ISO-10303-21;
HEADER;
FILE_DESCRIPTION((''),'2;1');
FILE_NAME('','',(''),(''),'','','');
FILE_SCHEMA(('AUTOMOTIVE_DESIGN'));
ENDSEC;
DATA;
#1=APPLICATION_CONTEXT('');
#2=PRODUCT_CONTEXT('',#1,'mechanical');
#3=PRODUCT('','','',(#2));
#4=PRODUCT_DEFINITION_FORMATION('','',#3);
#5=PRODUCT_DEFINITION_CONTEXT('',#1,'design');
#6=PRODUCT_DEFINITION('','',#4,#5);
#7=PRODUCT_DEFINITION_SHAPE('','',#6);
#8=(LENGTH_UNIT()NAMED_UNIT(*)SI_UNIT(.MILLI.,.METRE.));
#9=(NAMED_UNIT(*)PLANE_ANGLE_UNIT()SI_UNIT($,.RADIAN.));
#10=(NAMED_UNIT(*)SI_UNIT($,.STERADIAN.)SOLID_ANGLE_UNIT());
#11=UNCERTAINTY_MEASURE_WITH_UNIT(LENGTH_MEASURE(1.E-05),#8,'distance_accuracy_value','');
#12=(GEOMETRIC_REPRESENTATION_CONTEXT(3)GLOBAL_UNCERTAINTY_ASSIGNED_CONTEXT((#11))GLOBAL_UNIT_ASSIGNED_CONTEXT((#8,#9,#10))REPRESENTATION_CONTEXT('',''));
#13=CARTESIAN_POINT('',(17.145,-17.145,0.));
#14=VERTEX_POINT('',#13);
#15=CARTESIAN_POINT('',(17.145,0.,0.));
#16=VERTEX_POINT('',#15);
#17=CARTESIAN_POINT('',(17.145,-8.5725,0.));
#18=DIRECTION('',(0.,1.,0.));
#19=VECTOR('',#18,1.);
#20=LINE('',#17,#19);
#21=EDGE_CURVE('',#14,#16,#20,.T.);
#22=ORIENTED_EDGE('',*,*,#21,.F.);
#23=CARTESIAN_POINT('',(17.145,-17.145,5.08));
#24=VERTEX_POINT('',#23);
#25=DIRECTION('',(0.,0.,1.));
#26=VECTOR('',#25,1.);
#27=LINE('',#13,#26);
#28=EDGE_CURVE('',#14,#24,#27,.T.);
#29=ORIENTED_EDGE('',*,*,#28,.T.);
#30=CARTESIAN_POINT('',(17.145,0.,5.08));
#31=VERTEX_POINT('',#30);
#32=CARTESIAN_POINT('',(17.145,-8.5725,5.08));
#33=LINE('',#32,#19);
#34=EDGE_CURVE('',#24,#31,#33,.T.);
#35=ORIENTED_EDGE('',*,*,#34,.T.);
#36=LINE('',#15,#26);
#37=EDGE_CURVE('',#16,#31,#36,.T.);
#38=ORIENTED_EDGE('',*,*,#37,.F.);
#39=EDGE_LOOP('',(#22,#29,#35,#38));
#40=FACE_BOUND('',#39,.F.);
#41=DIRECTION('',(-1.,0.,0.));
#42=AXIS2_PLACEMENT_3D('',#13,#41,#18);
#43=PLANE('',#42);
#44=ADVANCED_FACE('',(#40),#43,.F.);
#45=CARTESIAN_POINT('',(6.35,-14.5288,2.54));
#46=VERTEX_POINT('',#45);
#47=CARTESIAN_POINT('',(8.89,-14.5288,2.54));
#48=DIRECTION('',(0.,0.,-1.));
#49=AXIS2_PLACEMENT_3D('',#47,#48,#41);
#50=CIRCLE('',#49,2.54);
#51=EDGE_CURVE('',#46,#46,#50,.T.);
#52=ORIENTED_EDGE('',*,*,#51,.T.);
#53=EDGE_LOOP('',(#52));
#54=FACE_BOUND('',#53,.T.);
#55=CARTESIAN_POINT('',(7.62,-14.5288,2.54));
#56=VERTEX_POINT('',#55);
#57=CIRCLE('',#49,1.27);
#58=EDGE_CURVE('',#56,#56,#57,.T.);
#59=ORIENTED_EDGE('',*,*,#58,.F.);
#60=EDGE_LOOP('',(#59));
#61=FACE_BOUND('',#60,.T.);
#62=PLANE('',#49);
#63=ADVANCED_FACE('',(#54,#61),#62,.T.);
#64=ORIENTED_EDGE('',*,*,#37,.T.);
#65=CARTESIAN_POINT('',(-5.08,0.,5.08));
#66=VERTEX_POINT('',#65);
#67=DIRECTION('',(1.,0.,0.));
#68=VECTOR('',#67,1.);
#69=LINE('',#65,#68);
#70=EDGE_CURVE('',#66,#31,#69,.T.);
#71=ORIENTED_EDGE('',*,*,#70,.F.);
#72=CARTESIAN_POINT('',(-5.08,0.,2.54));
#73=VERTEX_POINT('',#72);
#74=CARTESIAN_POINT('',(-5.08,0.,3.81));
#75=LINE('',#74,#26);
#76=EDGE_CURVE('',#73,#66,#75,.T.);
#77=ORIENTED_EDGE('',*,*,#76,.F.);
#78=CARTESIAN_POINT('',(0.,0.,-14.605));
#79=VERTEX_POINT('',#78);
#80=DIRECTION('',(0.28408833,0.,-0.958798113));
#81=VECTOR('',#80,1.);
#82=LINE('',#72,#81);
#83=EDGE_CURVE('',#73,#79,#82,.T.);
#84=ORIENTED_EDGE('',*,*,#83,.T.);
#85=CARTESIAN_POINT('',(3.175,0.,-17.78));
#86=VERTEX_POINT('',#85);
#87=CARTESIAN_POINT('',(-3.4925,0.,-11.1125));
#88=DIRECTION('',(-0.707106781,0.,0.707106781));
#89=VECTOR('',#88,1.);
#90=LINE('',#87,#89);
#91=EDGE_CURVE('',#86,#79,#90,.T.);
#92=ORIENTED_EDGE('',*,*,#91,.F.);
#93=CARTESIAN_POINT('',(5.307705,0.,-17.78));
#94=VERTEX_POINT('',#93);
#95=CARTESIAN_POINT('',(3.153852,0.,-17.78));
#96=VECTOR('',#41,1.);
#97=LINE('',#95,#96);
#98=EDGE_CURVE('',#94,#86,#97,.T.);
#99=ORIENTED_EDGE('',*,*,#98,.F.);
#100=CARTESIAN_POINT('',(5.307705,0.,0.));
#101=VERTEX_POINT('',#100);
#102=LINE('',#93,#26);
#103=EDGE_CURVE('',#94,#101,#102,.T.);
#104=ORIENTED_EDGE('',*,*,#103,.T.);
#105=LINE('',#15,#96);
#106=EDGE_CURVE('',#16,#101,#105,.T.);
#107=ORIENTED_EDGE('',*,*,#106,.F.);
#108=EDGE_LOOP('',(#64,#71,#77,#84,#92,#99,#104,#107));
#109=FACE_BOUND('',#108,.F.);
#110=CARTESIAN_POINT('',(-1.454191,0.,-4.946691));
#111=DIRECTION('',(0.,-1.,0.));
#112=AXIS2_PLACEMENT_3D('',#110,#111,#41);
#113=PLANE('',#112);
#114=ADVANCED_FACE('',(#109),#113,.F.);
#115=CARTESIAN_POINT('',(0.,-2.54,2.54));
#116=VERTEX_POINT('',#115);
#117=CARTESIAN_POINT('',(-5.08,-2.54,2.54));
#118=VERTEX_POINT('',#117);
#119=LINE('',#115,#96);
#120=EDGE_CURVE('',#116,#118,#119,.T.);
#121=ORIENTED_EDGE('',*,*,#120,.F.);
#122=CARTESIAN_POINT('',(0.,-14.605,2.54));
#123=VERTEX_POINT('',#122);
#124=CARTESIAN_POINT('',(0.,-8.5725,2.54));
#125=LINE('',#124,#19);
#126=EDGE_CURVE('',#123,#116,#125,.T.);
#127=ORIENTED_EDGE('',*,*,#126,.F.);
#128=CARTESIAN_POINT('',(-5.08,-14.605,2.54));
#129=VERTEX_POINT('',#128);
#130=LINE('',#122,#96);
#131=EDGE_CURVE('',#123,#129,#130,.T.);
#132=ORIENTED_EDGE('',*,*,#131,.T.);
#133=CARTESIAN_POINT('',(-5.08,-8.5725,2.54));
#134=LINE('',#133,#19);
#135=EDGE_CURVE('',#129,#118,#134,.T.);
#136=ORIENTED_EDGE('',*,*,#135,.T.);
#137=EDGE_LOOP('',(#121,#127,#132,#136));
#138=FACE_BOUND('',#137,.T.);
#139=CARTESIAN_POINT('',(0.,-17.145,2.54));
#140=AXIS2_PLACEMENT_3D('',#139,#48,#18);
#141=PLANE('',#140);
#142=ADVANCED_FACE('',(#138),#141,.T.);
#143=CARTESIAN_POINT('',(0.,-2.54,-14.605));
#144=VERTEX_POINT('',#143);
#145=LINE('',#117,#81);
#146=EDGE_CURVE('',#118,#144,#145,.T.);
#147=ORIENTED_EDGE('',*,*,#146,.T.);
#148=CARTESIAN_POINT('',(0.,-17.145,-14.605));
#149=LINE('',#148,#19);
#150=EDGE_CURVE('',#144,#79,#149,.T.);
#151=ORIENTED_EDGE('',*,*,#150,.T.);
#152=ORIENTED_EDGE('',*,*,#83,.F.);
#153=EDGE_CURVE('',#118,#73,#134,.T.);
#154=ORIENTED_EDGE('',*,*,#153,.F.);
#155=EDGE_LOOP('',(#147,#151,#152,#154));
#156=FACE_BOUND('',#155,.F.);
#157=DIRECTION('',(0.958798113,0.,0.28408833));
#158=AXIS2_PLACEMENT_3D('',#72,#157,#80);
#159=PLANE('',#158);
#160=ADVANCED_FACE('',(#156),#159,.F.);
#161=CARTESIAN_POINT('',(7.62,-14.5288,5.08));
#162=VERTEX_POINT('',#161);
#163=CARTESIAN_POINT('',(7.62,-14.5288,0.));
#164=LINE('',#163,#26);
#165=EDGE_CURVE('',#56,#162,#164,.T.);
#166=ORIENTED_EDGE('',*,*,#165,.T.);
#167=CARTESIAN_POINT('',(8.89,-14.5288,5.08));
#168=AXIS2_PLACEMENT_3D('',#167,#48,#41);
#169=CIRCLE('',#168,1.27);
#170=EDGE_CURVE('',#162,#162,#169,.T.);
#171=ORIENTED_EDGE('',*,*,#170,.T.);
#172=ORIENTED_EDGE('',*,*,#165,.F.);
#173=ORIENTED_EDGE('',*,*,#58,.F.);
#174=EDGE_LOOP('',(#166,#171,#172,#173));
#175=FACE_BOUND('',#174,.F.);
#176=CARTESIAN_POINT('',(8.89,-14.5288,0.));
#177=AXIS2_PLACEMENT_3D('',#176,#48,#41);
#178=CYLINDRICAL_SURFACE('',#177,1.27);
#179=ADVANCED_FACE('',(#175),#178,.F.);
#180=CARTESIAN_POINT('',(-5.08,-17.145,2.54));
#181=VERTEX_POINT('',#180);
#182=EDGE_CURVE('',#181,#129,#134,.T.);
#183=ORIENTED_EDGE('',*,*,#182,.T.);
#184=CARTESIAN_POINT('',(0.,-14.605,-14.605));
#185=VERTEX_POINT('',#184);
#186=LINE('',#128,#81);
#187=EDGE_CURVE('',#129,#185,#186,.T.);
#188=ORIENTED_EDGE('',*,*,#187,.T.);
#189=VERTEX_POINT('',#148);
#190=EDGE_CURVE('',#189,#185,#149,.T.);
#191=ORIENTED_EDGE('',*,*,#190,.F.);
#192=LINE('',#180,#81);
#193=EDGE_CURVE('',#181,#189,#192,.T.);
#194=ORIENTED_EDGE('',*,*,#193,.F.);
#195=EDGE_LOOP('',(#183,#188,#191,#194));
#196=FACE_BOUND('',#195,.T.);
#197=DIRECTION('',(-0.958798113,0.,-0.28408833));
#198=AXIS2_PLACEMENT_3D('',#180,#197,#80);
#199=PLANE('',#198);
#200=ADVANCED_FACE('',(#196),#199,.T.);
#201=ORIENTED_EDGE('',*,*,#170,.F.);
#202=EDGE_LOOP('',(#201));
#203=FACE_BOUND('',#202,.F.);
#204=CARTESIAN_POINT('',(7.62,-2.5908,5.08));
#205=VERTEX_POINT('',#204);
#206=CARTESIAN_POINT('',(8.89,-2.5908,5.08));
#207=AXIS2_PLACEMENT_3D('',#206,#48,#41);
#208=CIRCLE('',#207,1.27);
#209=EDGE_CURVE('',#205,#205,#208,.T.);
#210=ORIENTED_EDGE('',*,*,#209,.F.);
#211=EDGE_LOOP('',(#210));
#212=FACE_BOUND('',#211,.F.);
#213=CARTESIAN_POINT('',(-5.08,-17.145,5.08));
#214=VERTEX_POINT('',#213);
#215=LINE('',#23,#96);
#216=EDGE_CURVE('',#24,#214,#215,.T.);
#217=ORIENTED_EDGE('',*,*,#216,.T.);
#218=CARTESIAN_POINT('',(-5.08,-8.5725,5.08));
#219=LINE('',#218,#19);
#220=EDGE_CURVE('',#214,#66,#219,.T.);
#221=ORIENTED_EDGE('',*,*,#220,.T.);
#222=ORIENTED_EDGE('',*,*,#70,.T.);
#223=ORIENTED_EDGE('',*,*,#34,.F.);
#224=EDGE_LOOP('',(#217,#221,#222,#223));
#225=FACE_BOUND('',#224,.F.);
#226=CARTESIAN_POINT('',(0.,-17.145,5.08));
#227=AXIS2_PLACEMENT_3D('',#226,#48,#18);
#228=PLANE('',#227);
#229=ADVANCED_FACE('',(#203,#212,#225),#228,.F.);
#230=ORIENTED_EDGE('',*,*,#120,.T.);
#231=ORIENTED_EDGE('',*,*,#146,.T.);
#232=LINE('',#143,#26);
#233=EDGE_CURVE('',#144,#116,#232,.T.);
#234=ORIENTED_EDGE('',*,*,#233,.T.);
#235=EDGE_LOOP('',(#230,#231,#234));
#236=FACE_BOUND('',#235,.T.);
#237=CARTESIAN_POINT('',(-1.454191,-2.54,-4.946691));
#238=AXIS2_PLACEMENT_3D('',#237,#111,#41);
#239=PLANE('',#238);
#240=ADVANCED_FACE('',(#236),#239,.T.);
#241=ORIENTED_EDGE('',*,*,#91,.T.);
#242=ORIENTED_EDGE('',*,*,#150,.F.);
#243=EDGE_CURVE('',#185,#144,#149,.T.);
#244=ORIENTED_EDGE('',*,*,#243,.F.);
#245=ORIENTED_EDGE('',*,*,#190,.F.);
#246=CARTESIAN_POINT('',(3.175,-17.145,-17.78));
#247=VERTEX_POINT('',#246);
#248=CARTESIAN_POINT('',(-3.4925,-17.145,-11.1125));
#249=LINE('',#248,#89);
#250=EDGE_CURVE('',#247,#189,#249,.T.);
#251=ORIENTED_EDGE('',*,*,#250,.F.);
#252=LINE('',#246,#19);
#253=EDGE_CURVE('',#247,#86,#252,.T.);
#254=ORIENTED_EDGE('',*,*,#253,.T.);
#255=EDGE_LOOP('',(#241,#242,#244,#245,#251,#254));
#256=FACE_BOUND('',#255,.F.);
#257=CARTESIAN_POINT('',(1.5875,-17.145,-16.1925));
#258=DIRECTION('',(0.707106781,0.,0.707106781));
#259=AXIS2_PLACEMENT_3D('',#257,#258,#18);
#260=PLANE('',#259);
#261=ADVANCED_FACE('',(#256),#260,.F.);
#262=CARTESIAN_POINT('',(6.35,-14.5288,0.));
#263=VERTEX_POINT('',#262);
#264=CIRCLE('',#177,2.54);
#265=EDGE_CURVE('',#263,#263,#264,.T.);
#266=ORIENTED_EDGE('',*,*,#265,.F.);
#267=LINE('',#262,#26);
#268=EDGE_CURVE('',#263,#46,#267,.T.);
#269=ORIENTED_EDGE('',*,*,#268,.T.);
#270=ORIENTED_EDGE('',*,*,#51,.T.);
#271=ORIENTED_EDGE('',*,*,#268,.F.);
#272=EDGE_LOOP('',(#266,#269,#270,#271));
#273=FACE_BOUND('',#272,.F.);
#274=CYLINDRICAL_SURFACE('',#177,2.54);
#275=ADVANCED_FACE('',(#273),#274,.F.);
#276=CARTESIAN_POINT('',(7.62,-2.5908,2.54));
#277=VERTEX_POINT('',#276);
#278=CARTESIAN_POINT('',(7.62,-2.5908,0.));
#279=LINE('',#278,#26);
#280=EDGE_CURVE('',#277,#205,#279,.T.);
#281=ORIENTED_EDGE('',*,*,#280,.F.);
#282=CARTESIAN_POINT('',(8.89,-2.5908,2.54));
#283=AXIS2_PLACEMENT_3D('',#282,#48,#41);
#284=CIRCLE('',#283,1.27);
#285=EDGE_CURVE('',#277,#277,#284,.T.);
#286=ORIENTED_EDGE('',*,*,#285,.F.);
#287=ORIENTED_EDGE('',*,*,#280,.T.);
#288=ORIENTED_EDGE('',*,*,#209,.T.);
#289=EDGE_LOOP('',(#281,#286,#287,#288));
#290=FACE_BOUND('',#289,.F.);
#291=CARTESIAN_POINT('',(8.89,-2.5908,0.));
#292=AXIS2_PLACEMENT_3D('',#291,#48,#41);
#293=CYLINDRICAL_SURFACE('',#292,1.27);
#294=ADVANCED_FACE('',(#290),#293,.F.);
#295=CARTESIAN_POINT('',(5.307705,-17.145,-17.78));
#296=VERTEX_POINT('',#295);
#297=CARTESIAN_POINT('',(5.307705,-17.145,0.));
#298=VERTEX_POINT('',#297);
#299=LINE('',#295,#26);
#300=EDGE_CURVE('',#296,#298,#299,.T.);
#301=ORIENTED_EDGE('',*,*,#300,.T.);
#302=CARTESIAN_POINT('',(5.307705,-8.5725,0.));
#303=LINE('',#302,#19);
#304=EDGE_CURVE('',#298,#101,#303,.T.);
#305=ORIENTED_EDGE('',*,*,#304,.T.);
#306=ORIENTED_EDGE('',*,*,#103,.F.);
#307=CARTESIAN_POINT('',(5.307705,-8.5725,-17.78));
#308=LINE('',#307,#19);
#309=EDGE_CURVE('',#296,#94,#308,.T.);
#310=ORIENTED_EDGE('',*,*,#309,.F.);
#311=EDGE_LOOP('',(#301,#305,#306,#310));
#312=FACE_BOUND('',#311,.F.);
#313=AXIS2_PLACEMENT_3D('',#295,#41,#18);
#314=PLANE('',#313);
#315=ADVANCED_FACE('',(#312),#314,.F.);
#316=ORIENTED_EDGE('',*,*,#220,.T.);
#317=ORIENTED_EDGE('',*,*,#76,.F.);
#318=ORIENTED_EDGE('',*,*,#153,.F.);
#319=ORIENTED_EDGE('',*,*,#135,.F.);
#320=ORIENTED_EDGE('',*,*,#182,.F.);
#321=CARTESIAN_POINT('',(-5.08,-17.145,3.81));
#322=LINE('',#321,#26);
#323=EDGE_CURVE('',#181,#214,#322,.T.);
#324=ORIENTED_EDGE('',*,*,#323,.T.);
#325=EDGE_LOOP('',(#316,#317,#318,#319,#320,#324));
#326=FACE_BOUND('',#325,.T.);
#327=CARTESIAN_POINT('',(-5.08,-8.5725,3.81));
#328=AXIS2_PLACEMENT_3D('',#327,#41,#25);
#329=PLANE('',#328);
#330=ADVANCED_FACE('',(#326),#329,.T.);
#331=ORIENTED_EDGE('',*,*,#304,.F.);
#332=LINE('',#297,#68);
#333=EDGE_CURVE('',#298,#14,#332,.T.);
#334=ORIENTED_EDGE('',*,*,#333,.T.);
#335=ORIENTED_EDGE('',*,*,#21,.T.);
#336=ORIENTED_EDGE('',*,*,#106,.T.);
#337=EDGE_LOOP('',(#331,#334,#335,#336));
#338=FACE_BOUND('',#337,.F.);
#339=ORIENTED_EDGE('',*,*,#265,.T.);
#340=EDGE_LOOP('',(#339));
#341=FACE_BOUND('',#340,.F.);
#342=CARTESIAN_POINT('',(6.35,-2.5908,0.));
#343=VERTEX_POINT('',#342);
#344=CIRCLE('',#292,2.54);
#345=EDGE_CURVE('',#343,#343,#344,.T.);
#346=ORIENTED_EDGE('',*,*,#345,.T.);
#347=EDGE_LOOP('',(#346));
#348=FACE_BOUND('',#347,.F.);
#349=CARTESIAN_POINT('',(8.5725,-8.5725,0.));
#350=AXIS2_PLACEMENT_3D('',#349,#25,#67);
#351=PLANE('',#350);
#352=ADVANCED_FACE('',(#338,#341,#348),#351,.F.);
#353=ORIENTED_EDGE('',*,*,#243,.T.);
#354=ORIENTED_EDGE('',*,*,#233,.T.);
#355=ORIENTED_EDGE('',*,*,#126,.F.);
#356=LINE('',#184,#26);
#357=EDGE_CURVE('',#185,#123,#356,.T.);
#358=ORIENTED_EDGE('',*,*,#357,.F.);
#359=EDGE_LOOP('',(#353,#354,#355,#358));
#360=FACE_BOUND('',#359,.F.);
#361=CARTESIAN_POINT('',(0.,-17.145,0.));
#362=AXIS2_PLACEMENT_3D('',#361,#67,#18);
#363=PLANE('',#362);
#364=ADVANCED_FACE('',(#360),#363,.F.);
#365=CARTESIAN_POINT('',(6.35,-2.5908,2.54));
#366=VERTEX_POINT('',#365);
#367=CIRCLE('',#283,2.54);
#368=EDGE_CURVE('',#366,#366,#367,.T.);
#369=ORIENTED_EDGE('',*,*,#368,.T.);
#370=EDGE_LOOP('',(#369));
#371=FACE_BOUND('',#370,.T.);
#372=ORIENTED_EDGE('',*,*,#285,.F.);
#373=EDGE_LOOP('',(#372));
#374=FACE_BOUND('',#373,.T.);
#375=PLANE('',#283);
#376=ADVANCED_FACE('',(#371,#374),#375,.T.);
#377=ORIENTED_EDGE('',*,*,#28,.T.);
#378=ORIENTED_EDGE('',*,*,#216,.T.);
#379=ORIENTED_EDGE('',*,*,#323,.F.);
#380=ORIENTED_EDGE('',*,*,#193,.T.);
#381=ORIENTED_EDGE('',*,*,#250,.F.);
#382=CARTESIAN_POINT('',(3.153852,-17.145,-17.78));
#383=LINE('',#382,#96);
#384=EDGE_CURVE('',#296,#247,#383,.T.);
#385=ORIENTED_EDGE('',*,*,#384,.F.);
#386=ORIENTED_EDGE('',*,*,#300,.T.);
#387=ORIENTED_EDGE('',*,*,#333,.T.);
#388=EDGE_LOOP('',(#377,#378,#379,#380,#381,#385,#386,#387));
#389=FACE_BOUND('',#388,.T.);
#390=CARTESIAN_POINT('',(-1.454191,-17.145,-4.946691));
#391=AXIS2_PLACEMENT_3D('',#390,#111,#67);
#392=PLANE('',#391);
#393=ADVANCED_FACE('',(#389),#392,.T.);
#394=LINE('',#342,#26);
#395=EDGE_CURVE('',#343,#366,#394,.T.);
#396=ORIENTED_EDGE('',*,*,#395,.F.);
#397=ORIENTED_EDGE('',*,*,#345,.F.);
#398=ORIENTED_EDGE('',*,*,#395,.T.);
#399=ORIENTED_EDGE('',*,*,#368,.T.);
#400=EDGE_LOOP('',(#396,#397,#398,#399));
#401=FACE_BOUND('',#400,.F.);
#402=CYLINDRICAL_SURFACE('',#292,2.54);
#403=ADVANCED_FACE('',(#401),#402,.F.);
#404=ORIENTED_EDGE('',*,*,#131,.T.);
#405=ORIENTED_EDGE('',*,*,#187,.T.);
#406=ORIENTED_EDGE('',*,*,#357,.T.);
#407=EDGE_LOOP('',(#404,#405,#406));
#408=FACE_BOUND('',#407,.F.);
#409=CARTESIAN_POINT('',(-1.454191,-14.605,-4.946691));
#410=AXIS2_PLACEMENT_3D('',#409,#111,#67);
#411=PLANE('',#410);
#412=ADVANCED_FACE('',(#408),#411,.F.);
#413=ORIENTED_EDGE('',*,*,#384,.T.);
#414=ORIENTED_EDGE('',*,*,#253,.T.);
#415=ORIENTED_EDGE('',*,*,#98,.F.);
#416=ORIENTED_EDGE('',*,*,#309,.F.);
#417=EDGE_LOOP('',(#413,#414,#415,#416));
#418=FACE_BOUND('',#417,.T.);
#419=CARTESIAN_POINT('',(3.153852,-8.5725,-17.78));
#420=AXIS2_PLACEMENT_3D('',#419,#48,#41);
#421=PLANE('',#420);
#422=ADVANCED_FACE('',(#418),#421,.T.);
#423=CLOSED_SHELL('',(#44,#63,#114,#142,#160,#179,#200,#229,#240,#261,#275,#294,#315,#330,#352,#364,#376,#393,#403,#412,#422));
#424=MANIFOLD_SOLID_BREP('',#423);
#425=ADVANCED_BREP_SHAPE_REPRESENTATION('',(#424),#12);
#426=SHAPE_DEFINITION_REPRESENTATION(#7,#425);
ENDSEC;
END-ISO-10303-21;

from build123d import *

# Parameters (mm, degrees)
SKETCH1_W           = 17.145
SKETCH1_H           = 17.145
BOSS_EXTRUDE1_DEPTH = 5.08
SKETCH2_R           = 1.27
CUT_EXTRUDE1_DEPTH  = 6.08
SKETCH3_R           = 2.54
CUT_EXTRUDE4_DEPTH  = 2.54
SKETCH4_W           = 6.307704678
SKETCH4_H           = 17.145
BOSS_EXTRUDE2_DEPTH = 17.78
SKETCH5_W           = 2.54
SKETCH5_H           = 17.145
BOSS_EXTRUDE3_DEPTH = 5.08
CHAMFER1_SIZE       = 3.175
BOSS_EXTRUDE4_DEPTH = 2.54
BOSS_EXTRUDE5_DEPTH = 2.54
SKETCH9_W           = 1
SKETCH9_H           = 17.145
CUT_EXTRUDE5_DEPTH  = 17.78


with BuildPart() as part:
    # Sketch1 → Boss-Extrude1 (new body)
    with BuildSketch(Plane.XY):
        with Locations((8.5725, -8.5725)):
            Rectangle(SKETCH1_W, SKETCH1_H)
    extrude(amount=BOSS_EXTRUDE1_DEPTH)

    # Sketch2 → Cut-Extrude1 (cut, through all)
    with BuildSketch(Plane(origin=(0, 0, 0), x_dir=(-1, 0, 0), z_dir=(0, 0, -1))):
        with Locations((-8.89, -2.5908)):
            Circle(SKETCH2_R)
        with Locations((-8.89, -14.5288)):
            Circle(SKETCH2_R)
    extrude(amount=-CUT_EXTRUDE1_DEPTH, mode=Mode.SUBTRACT)

    # Sketch3 → Cut-Extrude4 (cut)
    with BuildSketch(Plane(origin=(0, 0, 0), x_dir=(-1, 0, 0), z_dir=(0, 0, -1))):
        with Locations((-8.89, -2.5908)):
            Circle(SKETCH3_R)
        with Locations((-8.89, -14.5288)):
            Circle(SKETCH3_R)
    extrude(amount=-CUT_EXTRUDE4_DEPTH, mode=Mode.SUBTRACT)

    # Sketch4 → Boss-Extrude2 (add)
    with BuildSketch(Plane(origin=(0, 0, 0), x_dir=(-1, 0, 0), z_dir=(0, 0, -1))):
        with Locations((-3.153852339, -8.5725)):
            Rectangle(SKETCH4_W, SKETCH4_H)
    extrude(amount=BOSS_EXTRUDE2_DEPTH)

    # Sketch5 → Boss-Extrude3 (add)
    with BuildSketch(Plane.ZY):
        with Locations((3.81, -8.5725)):
            Rectangle(SKETCH5_W, SKETCH5_H)
    extrude(amount=BOSS_EXTRUDE3_DEPTH)

    # Chamfer1
    chamfer1_edges = [part.edges().sort_by_distance(p)[0] for p in [
        (0, -8.5725, -17.78),
    ]]
    chamfer(chamfer1_edges, length=CHAMFER1_SIZE)

    # Sketch7 → Boss-Extrude4 (add)
    with BuildSketch(Plane(origin=(0, 0, 0), x_dir=(1, 0, 0), z_dir=(0, 1, 0))):
        Polygon((-5.08, -2.54), (0, 14.605), (0, -2.54), align=None)
    extrude(amount=-BOSS_EXTRUDE4_DEPTH)

    # Sketch8 → Boss-Extrude5 (add)
    with BuildSketch(Plane.XZ.offset(17.145)):
        Polygon((0, 2.54), (-5.08, 2.54), (0, -14.605), align=None)
    extrude(amount=-BOSS_EXTRUDE5_DEPTH)

    # Sketch9 → Cut-Extrude5 (cut)
    with BuildSketch(Plane(origin=(0, 0, -17.78), x_dir=(-1, 0, 0), z_dir=(0, 0, -1))):
        with Locations((-5.807704678, -8.5725)):
            Rectangle(SKETCH9_W, SKETCH9_H)
    extrude(amount=-CUT_EXTRUDE5_DEPTH, mode=Mode.SUBTRACT)


solid = part.part
